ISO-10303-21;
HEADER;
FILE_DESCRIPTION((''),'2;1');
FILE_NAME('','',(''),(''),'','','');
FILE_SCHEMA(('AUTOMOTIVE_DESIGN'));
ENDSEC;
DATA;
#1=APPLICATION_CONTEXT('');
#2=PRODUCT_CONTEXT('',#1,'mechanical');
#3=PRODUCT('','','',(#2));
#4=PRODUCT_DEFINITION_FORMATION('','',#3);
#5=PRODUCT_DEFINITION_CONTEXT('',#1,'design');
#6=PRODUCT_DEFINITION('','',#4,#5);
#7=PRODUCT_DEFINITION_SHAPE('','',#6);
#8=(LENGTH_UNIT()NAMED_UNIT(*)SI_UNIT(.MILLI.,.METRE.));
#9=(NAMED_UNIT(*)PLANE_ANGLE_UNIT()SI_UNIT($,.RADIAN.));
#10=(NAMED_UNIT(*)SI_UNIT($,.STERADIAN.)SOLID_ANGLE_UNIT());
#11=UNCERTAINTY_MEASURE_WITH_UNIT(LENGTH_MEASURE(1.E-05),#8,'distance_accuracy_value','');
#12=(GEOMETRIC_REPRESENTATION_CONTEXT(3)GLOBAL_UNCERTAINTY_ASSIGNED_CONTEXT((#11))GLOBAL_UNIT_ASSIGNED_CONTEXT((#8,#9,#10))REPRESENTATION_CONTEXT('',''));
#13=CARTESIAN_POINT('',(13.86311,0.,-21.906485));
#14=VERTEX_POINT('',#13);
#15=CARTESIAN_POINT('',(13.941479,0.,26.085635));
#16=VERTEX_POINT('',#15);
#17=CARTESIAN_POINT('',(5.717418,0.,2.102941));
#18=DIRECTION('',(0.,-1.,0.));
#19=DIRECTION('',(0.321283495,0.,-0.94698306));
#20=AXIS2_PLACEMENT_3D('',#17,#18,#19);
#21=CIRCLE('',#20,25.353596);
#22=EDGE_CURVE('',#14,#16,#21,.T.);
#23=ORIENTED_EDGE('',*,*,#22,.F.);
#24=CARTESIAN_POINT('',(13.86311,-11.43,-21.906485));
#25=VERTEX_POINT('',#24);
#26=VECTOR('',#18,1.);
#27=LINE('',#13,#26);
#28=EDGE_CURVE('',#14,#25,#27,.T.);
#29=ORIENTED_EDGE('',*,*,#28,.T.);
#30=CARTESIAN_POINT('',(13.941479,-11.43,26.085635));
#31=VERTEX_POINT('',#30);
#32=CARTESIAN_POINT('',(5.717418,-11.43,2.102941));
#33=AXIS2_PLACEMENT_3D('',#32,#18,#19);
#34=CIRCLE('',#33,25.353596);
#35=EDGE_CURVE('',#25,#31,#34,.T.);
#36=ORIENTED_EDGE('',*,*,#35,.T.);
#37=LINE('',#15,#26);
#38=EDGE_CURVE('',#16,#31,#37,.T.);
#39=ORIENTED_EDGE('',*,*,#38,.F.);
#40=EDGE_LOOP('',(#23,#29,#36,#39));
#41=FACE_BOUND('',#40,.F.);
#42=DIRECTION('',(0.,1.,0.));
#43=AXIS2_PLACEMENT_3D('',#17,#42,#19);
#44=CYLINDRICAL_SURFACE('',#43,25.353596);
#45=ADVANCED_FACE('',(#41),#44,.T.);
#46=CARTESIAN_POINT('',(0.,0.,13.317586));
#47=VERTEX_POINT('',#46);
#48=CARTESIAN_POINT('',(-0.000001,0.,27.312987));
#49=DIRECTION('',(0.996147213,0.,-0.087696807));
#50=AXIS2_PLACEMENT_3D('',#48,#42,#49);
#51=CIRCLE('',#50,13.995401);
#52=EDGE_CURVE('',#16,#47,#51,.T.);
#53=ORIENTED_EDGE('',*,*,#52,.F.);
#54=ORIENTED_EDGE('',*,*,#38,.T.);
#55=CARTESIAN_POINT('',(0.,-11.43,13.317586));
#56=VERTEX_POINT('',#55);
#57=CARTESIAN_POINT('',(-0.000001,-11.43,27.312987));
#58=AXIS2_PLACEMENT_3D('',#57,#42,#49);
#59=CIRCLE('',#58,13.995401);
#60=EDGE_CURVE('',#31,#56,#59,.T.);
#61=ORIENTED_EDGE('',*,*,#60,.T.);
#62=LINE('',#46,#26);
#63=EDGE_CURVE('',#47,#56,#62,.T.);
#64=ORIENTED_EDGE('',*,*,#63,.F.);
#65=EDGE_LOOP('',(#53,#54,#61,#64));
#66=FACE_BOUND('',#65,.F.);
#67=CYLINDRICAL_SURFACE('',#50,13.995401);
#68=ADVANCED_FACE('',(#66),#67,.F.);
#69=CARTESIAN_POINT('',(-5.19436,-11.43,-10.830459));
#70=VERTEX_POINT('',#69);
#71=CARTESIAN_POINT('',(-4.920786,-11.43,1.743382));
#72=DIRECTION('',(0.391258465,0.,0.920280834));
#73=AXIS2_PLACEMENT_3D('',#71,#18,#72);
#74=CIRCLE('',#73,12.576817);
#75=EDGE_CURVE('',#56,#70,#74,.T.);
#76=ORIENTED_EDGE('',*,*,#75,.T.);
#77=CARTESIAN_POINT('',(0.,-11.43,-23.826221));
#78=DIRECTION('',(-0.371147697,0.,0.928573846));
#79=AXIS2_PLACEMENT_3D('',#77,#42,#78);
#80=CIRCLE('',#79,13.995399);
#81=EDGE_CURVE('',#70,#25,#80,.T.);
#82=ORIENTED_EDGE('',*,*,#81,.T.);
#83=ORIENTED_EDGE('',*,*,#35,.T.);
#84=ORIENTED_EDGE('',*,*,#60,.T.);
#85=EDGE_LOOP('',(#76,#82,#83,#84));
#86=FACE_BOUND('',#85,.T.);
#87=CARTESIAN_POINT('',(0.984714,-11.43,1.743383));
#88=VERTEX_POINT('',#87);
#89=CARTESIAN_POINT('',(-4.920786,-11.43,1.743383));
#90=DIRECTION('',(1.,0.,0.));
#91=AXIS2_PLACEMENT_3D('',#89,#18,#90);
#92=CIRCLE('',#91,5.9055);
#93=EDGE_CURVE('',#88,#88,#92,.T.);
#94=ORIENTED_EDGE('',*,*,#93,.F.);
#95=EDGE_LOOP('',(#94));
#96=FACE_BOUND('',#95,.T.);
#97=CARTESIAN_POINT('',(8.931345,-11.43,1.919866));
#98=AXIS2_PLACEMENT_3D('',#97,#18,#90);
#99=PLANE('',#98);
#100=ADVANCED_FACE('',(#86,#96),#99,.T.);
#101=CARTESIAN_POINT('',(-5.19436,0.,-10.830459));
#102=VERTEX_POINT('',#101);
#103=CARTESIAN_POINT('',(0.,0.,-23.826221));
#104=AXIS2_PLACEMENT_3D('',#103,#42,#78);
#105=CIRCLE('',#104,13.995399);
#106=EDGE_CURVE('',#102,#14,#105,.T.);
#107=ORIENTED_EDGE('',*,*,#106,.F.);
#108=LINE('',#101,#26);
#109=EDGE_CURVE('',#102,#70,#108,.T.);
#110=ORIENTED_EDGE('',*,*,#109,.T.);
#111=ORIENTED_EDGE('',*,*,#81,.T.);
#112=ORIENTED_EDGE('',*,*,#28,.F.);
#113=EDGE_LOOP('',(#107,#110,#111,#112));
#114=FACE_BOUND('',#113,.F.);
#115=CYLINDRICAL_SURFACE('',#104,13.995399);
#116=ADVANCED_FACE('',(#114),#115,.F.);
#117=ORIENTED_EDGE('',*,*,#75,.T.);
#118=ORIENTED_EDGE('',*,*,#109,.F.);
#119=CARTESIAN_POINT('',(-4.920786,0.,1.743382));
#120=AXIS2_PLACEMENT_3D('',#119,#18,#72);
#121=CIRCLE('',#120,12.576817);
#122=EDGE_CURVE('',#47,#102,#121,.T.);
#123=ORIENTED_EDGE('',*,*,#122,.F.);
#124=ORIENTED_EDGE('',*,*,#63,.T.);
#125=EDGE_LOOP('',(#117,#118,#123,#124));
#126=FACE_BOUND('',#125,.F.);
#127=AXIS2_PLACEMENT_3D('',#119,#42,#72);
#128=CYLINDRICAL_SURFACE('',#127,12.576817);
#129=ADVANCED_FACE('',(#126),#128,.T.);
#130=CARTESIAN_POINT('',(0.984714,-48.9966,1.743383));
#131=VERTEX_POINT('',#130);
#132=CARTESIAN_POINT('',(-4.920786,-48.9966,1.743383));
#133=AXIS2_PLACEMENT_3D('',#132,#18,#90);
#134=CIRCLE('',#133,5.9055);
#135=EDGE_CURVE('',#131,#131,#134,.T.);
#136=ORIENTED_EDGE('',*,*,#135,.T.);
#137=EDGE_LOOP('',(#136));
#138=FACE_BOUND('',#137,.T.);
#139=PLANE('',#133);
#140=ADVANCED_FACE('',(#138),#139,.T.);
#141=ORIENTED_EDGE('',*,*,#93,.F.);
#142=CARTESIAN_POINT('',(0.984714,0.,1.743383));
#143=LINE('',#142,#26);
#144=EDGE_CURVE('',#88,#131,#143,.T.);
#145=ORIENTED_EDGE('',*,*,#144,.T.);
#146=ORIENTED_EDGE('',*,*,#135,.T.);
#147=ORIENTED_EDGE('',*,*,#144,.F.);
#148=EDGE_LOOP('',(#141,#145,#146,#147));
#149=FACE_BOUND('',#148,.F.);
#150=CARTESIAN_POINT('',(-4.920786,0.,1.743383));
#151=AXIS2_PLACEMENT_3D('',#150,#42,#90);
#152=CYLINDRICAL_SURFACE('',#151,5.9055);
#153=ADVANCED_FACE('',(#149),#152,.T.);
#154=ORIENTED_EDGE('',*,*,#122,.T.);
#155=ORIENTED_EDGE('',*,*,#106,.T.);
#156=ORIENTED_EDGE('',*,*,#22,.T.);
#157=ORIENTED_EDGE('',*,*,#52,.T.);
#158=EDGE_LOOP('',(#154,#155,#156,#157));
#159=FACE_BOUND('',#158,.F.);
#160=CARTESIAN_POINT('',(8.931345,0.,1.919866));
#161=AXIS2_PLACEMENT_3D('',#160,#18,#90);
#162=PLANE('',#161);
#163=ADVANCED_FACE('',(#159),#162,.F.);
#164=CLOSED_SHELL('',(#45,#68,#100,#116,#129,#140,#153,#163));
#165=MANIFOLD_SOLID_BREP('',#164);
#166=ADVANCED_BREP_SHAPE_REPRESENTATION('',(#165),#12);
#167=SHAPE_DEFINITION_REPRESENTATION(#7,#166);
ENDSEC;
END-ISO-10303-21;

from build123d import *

# Parameters (mm, degrees)
F0_R     = 5.9055
F1_DEPTH = 11.43
F2_DEPTH = 48.9966


with BuildPart() as f1:
    # F0 (on Front) → F1 (new body)
    with BuildSketch(Plane.XZ):
        with BuildLine():
            ThreePointArc((-5.19436, -10.830459), (7.032524, -11.726022), (13.86311, -21.906485))
            ThreePointArc((13.86311, -21.906485), (31.07098, 2.06154), (13.941479, 26.085635))
            ThreePointArc((13.941479, 26.085635), (9.452353, 16.991928), (0, 13.317586))
            ThreePointArc((0, 13.317586), (-17.216361, 4.38822), (-5.19436, -10.830459))
        make_face()
        with Locations((-4.920786, 1.743383)):
            Circle(F0_R, mode=Mode.SUBTRACT)
    extrude(amount=F1_DEPTH)

    # F0 (on Front) → F2 (join)
    with BuildSketch(Plane.XZ):
        with Locations((-4.920786, 1.743383)):
            Circle(F0_R)
    extrude(amount=F2_DEPTH)


solid = f1.part
